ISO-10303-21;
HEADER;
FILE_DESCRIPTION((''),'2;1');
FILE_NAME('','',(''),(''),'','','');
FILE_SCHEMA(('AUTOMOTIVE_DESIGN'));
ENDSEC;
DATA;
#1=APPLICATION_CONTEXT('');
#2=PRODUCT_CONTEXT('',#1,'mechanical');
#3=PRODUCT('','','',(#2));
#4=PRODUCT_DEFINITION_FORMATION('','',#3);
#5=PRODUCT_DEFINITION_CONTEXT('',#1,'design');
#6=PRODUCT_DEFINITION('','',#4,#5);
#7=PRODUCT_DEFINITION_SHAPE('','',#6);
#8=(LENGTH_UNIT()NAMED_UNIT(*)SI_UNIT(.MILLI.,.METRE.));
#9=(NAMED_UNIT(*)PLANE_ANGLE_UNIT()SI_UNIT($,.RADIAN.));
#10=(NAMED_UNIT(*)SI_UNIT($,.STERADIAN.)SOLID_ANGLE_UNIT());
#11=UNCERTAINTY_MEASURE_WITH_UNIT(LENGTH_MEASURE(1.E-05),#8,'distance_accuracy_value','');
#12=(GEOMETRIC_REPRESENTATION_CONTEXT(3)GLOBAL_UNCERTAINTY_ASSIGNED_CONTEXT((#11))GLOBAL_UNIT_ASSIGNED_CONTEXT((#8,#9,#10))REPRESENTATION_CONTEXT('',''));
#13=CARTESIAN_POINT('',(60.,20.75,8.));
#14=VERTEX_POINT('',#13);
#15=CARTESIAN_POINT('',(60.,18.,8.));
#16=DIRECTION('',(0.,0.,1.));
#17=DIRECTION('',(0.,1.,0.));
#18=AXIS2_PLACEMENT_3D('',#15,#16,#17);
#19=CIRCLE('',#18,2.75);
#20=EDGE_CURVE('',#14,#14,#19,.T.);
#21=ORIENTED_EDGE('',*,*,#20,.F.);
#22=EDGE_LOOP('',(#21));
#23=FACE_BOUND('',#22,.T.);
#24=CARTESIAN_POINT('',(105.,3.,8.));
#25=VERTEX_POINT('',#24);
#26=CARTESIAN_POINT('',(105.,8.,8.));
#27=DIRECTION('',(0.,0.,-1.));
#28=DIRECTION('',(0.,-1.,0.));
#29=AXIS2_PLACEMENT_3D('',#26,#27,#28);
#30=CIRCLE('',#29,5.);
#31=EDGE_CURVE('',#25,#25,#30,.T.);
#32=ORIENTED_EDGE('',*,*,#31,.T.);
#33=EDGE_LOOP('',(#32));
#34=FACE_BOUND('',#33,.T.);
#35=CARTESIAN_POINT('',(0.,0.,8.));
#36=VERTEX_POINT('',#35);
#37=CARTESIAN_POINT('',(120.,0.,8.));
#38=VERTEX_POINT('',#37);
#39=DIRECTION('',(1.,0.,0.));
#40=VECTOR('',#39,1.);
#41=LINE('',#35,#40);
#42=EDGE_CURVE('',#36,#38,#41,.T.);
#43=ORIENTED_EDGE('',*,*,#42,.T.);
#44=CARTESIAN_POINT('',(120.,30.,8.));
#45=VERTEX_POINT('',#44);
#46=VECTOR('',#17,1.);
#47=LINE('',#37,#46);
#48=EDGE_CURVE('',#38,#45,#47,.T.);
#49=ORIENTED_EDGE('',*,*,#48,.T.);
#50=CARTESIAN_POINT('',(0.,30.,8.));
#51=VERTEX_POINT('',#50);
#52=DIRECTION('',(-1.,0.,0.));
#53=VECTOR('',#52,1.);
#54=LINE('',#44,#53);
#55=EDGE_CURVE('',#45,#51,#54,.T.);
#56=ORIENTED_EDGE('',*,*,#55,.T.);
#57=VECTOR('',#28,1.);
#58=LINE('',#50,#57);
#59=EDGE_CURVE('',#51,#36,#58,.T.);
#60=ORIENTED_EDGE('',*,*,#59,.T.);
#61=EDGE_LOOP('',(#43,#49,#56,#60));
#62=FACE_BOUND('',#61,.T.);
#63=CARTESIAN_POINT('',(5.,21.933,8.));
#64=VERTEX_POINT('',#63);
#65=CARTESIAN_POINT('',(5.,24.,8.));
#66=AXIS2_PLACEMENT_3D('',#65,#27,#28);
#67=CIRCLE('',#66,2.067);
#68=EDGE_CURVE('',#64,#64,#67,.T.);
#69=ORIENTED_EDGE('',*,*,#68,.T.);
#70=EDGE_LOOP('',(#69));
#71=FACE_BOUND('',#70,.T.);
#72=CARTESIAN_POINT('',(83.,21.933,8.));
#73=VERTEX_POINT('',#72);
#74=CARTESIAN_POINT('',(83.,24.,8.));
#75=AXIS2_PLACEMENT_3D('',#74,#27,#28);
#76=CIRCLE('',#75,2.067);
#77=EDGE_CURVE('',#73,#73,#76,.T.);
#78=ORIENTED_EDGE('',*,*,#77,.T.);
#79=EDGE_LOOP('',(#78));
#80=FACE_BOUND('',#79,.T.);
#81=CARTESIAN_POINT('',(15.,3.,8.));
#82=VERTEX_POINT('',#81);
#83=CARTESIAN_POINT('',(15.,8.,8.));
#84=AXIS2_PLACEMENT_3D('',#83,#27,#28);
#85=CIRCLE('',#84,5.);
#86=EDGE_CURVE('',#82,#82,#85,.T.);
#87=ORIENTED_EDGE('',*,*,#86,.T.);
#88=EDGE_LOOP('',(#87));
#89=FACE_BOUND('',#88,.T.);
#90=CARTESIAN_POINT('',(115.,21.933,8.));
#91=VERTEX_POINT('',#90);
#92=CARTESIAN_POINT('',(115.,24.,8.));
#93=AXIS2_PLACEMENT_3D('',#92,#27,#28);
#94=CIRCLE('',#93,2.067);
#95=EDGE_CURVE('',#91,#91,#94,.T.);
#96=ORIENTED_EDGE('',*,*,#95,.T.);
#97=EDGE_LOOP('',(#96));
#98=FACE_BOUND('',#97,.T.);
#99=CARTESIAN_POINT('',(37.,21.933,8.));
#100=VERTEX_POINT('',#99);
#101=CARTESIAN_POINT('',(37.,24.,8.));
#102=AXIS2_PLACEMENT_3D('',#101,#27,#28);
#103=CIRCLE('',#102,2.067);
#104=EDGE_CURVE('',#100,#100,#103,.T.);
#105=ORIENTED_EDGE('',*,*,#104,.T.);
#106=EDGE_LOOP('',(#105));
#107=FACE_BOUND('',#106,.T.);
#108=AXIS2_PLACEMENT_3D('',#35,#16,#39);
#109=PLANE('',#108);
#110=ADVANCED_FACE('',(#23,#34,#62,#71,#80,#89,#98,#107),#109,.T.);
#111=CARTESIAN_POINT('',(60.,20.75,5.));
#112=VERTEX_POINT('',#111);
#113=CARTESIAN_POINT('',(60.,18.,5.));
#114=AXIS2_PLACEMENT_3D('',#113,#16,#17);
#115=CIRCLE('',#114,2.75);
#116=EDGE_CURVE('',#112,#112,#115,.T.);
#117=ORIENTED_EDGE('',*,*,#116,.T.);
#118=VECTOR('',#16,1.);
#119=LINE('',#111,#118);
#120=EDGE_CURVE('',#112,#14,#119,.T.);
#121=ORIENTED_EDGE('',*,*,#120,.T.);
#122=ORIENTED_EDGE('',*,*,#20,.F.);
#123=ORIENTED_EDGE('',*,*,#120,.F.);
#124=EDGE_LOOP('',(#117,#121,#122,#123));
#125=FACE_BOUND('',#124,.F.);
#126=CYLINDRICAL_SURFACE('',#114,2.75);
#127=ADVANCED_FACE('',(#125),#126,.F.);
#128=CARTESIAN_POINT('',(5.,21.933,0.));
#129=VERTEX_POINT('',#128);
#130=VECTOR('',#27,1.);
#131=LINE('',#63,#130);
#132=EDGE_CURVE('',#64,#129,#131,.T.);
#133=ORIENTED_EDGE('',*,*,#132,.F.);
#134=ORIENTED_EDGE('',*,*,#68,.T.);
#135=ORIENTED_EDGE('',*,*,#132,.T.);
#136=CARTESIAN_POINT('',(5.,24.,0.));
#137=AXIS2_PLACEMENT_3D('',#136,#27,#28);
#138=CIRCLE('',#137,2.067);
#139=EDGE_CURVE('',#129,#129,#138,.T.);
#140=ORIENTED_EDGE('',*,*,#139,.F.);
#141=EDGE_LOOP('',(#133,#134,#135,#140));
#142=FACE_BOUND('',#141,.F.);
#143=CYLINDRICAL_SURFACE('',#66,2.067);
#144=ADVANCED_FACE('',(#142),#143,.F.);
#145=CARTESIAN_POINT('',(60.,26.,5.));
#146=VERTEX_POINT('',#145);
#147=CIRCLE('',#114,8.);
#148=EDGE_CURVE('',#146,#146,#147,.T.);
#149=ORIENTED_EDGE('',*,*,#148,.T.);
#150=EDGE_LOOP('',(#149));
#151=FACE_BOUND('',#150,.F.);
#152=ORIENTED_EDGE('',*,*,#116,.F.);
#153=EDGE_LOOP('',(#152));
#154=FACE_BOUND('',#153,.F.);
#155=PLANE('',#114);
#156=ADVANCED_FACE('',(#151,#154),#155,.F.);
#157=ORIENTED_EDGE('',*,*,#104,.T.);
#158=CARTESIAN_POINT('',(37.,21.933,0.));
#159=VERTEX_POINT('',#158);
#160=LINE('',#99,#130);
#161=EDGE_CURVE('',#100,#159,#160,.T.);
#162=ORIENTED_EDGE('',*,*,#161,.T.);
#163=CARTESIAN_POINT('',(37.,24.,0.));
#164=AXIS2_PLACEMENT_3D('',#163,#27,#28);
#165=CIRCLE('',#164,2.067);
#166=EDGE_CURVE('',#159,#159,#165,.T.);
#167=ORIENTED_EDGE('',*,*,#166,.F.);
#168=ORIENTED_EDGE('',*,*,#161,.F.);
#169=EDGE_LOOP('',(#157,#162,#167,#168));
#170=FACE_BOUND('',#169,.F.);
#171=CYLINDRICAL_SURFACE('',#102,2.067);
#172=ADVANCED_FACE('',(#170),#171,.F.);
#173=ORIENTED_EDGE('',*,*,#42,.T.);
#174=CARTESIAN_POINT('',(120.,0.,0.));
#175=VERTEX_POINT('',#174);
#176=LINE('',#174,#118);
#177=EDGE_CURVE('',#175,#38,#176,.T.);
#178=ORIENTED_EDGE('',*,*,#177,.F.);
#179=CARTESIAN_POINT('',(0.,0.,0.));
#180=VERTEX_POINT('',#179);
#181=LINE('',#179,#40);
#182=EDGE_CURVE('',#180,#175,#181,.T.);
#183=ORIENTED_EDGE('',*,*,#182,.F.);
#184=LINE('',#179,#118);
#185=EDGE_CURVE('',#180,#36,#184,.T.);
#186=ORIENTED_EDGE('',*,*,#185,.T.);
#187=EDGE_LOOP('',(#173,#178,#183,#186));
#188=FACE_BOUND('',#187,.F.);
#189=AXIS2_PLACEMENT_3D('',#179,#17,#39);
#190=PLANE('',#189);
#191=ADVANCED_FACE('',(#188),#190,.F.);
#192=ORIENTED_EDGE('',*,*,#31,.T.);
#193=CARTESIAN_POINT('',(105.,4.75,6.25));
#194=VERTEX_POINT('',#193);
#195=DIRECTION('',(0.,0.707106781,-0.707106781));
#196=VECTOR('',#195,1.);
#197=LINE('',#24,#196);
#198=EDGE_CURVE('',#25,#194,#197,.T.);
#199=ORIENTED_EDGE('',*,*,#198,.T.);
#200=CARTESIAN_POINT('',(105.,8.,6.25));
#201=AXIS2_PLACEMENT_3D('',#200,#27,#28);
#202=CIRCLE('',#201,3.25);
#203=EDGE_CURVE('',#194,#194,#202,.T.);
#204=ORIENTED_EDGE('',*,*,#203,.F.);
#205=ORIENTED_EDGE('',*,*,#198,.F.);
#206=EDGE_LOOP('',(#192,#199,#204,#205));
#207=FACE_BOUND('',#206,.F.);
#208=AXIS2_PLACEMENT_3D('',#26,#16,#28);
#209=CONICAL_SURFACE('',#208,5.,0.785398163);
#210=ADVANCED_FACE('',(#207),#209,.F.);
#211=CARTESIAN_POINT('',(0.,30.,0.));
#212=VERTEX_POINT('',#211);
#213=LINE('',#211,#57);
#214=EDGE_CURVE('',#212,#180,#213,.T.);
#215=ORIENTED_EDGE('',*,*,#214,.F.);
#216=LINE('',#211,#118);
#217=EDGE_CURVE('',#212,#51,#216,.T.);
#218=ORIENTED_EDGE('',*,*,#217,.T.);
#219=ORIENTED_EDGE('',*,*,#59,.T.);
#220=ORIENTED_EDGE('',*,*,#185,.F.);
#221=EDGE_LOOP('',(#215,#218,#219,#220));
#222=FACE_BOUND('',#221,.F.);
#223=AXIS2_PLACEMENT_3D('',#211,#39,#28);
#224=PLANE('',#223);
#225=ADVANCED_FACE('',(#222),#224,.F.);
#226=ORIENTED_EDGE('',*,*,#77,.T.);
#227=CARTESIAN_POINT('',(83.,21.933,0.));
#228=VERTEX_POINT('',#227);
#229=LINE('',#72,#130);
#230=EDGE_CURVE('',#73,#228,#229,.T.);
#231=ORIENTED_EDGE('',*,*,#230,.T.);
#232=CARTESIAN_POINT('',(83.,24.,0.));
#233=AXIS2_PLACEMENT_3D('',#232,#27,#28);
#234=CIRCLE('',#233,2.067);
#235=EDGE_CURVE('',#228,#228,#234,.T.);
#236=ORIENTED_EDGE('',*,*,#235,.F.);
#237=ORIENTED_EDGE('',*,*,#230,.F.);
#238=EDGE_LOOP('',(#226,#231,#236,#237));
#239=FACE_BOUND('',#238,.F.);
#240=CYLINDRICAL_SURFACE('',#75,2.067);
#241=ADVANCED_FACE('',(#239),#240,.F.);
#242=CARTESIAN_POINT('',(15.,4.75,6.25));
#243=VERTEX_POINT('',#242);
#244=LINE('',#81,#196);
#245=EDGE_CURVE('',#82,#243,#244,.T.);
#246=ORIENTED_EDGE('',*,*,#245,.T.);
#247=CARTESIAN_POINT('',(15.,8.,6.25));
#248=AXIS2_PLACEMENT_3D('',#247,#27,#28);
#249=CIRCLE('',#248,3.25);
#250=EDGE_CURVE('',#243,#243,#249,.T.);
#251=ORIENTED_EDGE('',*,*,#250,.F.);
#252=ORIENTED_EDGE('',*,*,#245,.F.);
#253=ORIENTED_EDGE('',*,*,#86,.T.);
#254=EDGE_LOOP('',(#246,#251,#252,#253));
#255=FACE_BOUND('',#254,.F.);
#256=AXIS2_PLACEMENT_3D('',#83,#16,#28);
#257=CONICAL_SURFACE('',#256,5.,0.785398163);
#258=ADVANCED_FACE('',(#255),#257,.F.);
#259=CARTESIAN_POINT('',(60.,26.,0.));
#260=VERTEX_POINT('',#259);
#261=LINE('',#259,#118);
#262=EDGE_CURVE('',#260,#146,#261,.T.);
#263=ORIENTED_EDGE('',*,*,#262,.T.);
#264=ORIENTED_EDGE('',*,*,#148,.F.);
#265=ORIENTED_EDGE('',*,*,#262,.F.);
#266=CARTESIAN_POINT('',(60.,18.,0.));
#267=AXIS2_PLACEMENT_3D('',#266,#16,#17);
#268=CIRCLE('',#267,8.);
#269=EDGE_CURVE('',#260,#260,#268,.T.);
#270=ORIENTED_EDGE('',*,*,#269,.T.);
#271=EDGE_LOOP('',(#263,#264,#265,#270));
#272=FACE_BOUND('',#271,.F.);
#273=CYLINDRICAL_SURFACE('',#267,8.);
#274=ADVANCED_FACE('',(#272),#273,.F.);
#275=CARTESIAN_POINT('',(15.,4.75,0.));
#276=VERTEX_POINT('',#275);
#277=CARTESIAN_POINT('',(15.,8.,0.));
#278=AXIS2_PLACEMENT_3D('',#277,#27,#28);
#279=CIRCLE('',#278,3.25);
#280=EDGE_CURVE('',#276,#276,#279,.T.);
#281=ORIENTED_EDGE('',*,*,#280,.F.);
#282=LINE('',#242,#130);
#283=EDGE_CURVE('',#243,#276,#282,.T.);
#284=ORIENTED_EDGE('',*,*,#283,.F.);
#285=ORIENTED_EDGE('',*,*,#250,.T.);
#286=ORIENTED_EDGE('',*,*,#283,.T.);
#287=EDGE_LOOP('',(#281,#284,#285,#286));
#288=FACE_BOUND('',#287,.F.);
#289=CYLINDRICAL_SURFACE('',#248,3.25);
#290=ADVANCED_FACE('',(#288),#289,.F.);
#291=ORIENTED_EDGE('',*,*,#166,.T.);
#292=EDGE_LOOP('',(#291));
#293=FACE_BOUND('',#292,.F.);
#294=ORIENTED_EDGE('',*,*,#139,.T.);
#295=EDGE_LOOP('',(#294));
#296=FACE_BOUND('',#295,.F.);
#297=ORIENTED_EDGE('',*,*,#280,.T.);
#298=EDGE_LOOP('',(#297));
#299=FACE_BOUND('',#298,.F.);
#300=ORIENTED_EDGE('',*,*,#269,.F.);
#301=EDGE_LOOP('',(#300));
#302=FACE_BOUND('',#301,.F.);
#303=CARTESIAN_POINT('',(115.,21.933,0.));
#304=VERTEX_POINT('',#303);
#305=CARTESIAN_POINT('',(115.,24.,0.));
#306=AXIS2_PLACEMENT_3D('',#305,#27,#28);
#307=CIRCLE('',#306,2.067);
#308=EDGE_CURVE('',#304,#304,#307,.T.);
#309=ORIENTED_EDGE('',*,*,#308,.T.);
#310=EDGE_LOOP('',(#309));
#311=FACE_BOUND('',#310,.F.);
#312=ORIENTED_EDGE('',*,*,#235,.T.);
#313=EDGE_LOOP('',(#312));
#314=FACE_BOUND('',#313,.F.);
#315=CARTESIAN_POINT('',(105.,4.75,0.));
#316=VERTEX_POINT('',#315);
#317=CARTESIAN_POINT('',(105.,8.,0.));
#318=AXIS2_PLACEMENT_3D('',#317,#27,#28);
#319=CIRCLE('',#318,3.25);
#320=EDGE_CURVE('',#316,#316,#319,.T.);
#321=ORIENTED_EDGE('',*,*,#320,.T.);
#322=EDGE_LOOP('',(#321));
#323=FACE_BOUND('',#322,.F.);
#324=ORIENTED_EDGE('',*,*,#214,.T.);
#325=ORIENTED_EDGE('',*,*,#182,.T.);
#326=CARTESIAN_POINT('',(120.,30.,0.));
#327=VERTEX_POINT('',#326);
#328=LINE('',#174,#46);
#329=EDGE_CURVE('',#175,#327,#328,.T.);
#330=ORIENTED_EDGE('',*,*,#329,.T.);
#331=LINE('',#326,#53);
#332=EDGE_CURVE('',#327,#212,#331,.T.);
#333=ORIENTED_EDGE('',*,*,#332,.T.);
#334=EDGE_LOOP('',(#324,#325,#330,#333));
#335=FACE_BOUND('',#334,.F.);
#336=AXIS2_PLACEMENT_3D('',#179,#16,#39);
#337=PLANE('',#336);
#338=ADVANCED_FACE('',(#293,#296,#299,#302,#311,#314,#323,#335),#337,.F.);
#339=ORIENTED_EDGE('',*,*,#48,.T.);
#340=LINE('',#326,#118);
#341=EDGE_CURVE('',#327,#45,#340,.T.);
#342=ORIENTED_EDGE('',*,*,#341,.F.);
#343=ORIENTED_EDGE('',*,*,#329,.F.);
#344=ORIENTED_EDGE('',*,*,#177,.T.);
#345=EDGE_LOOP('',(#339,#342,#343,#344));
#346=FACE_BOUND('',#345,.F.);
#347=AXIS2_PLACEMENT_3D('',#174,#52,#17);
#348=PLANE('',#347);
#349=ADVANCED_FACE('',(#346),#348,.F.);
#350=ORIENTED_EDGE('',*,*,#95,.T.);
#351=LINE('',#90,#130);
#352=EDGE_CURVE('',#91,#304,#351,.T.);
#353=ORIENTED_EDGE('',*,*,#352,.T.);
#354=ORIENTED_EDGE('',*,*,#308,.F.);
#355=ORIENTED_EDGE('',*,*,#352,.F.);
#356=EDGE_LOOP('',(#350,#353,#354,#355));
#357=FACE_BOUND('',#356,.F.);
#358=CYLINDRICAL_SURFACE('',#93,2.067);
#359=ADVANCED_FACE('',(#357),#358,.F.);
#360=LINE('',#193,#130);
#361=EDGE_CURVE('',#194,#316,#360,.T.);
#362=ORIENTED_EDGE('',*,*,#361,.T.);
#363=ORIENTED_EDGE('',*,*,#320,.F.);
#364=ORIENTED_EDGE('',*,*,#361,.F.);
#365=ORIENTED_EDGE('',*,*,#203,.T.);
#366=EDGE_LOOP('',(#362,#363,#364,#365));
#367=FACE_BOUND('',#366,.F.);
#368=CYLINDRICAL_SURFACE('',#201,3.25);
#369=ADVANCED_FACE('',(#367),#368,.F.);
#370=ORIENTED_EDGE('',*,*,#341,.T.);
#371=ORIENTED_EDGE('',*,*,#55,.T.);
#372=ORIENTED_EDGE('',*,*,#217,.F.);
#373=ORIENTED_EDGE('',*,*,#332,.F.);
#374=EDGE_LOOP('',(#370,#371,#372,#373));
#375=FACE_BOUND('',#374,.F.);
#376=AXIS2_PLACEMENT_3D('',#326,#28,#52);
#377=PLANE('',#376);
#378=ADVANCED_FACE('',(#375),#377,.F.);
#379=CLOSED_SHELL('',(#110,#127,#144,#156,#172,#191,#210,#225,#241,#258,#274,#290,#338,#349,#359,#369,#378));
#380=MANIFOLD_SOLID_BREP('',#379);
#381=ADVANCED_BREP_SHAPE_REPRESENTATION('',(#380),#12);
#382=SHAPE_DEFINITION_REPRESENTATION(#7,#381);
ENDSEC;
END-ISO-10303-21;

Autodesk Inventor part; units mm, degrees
ref_plane "YZ Plane" through (0, 0, 0) normal (1, 0, 0) x (0, 1, 0)
ref_plane "XZ Plane" through (0, 0, 0) normal (0, 1, 0) x (-1, 0, 0)
ref_plane "XY Plane" through (0, 0, 0) normal (0, 0, 1) x (1, 0, 0)
sketch "Sketch1" plane through (0, 0, 0) normal (0, 0, 1) x (1, 0, 0)
  line L0 (0, 0) -> (120, 0)
  line L1 (120, 0) -> (120, 30)
  line L2 (120, 30) -> (0, 30)
  line L3 (0, 30) -> (0, 0)
  dimension "width" = 120
  dimension "d1" = 30
extrude "Extrusion1" add sketch "Sketch1" along normal blind 8
hole "Hole1" at (15, 8, 8) direction (0, 0, -1) diameter 6.5 end through all countersink diameter 10 countersink angle 90
hole "Hole2" at (105, 8, 8) direction (0, 0, -1) diameter 6.5 end through all countersink diameter 10 countersink angle 90
hole "Hole3" at (60, 18, 0) direction (0, 0, 1) diameter 16 depth 5
hole "Hole4" at (60, 18, 5) direction (0, 0, 1) diameter 5.5 end through all
hole "Hole5" at (5, 24, 8) direction (0, 0, -1) diameter 4.134 end through all thread size "M5x0.8" class "6H" standard "ANSI Metric M Profile"
hole "Hole6" at (115, 24, 8) direction (0, 0, -1) diameter 4.134 end through all thread size "M5x0.8" class "6H" standard "ANSI Metric M Profile"
pattern_linear "Rectangular Pattern1" count 2 spacing 32 along (1, 0, 0) of "Hole5"
pattern_linear "Rectangular Pattern2" count 2 spacing 32 along (-1, 0, 0) of "Hole6"
equation "\"d22\" = 0.5 * width"
properties part number "alu top plate"
